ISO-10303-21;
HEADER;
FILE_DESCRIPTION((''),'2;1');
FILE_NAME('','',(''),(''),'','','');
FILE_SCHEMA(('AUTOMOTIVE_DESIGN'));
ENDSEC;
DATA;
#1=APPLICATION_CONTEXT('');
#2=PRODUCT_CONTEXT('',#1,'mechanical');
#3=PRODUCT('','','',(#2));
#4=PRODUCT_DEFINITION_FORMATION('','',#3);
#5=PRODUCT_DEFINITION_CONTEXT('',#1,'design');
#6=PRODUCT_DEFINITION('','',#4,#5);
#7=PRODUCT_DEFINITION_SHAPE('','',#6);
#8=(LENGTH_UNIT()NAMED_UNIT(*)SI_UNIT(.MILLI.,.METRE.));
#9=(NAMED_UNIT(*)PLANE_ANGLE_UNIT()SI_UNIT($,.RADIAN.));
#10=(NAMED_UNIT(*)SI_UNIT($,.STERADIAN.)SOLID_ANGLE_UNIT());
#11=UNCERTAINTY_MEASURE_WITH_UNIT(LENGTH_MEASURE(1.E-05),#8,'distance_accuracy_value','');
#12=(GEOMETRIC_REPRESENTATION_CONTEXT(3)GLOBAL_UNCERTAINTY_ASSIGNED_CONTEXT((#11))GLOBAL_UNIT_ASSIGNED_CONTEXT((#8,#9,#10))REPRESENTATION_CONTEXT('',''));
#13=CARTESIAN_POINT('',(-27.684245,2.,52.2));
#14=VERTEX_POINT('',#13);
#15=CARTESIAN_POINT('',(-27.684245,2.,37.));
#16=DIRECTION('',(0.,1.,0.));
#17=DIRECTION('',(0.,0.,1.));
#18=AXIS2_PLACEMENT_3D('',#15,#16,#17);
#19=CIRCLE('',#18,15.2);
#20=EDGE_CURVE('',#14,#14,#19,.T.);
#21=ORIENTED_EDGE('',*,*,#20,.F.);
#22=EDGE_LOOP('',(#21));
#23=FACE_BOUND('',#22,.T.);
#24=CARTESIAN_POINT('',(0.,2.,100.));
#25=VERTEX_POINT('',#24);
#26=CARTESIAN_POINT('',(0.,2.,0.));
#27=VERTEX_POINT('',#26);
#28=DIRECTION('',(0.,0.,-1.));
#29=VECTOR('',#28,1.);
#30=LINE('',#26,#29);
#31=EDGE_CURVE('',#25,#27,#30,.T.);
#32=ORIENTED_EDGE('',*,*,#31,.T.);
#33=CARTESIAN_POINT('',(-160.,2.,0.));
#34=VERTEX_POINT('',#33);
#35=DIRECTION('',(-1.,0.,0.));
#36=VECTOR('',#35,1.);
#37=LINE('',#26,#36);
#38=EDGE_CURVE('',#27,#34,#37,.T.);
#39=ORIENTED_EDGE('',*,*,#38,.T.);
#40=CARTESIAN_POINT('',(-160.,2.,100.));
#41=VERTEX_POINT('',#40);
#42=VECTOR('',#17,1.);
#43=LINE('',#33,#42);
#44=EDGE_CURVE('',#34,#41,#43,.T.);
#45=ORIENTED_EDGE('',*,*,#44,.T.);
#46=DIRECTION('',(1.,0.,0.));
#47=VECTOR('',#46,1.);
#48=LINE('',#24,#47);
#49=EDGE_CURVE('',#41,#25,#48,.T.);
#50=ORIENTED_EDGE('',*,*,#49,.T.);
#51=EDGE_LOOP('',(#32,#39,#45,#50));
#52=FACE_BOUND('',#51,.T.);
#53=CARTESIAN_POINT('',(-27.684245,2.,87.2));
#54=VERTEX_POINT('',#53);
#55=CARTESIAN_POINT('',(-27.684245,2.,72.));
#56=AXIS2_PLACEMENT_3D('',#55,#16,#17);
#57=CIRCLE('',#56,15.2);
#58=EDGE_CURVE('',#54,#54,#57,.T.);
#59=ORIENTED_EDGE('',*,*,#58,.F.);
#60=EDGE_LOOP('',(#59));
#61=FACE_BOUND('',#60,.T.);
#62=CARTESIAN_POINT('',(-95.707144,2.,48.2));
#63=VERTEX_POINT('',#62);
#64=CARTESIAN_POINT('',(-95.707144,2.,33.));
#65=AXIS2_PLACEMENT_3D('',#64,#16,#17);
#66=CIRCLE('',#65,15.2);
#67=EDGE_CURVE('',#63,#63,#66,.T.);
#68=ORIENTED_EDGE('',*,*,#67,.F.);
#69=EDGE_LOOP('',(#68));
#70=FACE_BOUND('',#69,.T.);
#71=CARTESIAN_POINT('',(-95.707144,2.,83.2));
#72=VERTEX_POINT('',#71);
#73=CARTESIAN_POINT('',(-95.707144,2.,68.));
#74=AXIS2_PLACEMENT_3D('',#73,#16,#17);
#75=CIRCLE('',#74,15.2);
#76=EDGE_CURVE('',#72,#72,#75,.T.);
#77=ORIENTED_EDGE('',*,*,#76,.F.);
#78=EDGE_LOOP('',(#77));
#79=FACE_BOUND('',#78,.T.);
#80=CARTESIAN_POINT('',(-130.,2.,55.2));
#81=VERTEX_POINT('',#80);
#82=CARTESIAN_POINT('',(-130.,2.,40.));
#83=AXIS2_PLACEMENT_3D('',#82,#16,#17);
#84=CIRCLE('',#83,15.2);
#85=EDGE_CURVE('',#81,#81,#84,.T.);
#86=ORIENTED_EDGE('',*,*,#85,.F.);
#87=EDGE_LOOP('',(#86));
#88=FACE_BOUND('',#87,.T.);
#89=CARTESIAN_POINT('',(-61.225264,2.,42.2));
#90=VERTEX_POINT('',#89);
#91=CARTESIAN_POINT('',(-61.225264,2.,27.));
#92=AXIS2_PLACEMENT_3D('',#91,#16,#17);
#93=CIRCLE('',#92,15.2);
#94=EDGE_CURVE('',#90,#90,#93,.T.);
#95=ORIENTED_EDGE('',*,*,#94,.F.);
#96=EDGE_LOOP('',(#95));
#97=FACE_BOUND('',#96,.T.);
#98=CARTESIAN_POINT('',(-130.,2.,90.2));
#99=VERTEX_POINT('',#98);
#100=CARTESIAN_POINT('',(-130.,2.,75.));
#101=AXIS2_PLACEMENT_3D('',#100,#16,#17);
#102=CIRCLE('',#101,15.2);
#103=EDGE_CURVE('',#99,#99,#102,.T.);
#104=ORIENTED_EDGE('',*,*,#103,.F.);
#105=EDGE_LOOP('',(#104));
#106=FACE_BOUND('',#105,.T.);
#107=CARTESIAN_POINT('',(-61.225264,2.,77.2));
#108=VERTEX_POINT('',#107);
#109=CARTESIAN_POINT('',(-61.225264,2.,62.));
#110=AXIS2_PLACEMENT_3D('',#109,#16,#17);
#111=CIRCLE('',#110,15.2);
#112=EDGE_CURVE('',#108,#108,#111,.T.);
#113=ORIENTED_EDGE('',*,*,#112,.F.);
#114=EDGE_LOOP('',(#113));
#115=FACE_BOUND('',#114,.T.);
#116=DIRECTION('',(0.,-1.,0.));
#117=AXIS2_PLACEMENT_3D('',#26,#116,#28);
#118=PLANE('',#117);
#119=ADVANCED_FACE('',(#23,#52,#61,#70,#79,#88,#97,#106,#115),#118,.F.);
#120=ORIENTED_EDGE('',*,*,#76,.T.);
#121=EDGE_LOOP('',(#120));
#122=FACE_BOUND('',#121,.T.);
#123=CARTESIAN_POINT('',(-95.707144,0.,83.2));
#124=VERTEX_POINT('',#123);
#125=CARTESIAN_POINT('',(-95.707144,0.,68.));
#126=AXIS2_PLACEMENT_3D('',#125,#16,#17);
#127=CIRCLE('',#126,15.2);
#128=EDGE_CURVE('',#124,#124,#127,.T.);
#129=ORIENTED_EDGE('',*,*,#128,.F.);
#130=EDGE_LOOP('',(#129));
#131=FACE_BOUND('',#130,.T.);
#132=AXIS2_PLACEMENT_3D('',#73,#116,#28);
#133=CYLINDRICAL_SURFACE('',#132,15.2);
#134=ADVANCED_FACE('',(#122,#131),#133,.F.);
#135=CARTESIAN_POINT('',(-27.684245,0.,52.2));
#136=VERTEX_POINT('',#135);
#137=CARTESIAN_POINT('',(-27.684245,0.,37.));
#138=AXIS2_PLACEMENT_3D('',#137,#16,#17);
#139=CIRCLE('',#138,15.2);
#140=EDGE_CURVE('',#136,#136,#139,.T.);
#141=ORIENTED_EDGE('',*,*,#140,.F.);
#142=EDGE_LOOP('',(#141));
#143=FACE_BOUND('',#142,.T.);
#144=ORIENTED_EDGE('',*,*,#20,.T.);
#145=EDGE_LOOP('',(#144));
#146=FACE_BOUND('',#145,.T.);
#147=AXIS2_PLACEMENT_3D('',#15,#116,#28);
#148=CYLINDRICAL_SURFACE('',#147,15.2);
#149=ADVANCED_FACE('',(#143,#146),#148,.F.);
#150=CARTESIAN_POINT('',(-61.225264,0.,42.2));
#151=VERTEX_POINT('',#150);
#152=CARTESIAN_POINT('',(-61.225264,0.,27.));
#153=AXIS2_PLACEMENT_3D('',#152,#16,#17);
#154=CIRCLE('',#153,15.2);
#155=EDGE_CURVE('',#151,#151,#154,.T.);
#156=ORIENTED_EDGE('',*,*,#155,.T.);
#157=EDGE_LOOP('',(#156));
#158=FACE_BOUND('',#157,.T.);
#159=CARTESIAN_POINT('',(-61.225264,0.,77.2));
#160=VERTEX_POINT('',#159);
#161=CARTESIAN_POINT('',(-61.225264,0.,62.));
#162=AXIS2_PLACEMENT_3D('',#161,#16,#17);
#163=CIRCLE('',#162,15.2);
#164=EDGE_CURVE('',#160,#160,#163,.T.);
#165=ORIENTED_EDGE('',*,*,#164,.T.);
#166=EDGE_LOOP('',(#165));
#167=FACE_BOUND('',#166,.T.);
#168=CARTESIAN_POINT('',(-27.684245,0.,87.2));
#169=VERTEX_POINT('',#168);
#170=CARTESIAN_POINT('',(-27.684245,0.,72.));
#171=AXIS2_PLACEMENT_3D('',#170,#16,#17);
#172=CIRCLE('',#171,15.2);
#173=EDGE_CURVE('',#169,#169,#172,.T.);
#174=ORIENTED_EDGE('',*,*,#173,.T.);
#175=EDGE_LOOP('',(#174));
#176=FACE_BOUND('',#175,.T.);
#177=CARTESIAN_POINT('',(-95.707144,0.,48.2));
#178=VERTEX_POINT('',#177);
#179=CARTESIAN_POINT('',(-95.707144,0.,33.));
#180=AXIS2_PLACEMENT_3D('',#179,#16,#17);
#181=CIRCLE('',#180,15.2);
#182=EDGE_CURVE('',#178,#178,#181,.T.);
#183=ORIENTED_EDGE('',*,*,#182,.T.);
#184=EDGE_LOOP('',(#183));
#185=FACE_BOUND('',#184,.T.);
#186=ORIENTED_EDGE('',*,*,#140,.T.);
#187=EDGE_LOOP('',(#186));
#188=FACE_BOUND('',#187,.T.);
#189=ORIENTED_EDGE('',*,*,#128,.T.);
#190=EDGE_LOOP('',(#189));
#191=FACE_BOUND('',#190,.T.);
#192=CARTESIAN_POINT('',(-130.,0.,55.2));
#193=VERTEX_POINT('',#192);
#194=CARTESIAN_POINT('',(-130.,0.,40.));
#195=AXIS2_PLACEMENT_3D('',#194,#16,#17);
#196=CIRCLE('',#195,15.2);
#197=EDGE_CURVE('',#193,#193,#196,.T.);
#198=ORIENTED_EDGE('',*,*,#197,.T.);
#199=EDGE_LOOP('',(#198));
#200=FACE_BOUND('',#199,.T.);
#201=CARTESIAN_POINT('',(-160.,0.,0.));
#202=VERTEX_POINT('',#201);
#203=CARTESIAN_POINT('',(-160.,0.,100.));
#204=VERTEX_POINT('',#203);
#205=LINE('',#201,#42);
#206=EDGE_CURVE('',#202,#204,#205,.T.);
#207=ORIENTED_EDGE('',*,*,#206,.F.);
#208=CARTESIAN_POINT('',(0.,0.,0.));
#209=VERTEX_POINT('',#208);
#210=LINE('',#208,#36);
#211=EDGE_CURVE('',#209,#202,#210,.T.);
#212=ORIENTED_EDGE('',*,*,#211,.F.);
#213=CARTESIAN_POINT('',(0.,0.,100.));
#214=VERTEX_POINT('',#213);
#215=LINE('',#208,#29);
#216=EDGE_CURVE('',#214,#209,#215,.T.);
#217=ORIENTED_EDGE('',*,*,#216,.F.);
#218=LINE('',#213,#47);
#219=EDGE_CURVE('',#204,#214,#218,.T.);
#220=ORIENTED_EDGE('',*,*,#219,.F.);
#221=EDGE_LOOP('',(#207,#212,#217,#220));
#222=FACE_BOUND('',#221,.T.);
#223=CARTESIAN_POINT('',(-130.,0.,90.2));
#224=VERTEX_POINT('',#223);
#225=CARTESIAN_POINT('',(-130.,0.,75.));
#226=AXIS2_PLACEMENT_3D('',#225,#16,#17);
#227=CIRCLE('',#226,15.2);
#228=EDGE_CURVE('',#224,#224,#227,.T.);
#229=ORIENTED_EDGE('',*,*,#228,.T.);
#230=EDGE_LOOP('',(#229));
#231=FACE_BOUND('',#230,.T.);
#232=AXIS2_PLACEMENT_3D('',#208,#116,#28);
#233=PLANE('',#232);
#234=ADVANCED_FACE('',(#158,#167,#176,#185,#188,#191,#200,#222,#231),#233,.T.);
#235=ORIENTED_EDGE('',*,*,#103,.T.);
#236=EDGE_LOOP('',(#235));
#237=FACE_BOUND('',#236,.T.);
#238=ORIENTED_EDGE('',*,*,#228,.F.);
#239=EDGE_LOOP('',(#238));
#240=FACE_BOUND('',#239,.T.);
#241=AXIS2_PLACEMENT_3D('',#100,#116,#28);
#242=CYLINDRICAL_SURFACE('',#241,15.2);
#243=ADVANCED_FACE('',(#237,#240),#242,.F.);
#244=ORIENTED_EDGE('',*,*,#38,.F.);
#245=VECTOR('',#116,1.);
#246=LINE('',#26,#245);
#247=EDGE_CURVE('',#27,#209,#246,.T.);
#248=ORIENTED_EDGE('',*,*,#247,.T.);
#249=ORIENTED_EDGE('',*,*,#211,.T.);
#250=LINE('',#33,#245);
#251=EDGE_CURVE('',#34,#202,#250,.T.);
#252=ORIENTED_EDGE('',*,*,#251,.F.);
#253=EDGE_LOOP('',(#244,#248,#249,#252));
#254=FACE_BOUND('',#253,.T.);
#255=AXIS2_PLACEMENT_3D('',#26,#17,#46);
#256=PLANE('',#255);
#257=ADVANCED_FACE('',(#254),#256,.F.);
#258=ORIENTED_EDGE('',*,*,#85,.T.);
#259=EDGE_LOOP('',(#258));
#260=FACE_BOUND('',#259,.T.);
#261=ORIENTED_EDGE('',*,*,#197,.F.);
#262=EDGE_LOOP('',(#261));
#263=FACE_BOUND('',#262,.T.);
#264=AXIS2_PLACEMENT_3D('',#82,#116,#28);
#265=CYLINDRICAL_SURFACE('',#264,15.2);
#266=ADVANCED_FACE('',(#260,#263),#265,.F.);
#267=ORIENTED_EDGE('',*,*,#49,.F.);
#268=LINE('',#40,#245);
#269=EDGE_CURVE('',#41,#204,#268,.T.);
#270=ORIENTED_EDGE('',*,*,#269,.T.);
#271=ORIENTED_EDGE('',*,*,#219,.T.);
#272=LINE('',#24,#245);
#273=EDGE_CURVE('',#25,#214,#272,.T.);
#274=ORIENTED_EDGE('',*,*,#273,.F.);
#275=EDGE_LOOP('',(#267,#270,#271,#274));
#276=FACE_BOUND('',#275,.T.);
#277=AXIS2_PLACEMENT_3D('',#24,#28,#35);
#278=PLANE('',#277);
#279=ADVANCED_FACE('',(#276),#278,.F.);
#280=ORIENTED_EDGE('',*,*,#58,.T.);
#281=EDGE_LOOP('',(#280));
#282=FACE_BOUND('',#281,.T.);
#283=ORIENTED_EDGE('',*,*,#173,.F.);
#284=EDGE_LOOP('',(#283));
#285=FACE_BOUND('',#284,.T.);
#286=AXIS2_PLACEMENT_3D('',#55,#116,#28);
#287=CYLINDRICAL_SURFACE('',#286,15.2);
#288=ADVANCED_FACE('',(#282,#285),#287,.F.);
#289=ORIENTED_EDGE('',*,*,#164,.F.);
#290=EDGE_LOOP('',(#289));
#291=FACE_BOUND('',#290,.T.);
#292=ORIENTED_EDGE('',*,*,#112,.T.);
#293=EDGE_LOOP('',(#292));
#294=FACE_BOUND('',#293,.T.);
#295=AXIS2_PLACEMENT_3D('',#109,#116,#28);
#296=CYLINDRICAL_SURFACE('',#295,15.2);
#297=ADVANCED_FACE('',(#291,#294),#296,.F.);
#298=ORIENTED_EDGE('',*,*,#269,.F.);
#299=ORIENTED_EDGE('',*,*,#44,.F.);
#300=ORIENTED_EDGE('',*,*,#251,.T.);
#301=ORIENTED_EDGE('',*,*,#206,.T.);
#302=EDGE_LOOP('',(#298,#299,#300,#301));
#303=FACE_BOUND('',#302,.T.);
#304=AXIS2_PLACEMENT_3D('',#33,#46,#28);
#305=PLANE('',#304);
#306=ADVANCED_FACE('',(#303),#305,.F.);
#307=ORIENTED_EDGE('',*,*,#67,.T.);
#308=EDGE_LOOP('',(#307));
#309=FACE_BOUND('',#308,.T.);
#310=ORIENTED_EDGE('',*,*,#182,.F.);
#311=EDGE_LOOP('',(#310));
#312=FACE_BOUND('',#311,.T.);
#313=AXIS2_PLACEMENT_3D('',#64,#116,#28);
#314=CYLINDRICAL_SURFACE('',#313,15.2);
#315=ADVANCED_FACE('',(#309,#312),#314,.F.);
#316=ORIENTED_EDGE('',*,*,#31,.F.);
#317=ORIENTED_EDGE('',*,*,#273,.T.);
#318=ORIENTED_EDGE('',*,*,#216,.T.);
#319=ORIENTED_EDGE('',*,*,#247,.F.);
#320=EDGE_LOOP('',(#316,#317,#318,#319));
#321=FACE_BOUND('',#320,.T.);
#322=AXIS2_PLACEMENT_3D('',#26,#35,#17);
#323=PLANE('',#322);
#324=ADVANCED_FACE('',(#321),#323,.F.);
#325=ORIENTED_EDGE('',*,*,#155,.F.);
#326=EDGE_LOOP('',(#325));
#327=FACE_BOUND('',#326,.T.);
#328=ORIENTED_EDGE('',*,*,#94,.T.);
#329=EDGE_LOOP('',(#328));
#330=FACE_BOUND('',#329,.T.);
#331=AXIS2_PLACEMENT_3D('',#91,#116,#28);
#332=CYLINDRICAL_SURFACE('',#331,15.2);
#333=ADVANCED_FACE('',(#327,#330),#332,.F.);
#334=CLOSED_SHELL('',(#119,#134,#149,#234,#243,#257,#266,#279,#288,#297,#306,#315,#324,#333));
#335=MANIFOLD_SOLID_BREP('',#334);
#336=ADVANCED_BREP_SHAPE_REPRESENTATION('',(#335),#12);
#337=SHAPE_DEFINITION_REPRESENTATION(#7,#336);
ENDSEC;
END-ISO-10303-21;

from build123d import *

# Parameters (mm, degrees)
SKETCH1_W           = 160
SKETCH1_H           = 100
SKETCH1_R           = 15.2
BOSS_EXTRUDE1_DEPTH = 2


with BuildPart() as part:
    # Sketch1 → Boss-Extrude1 (new body)
    with BuildSketch(Plane(origin=(0, 0, 0), x_dir=(1, 0, 0), z_dir=(0, 1, 0))):
        with Locations((-80, -50)):
            Rectangle(SKETCH1_W, SKETCH1_H)
        with Locations(Location((-130, -40, 0), (0, 0, 270))):
            Circle(SKETCH1_R, mode=Mode.SUBTRACT)
        with Locations(Location((-95.707143601, -33, 0), (0, 0, 270))):
            Circle(SKETCH1_R, mode=Mode.SUBTRACT)
        with Locations(Location((-61.225264302, -27, 0), (0, 0, 270))):
            Circle(SKETCH1_R, mode=Mode.SUBTRACT)
        with Locations(Location((-27.684244639, -37, 0), (0, 0, 270))):
            Circle(SKETCH1_R, mode=Mode.SUBTRACT)
        with Locations(Location((-27.684244639, -72, 0), (0, 0, 270))):
            Circle(SKETCH1_R, mode=Mode.SUBTRACT)
        with Locations(Location((-61.225264302, -62, 0), (0, 0, 270))):
            Circle(SKETCH1_R, mode=Mode.SUBTRACT)
        with Locations(Location((-95.707143601, -68, 0), (0, 0, 270))):
            Circle(SKETCH1_R, mode=Mode.SUBTRACT)
        with Locations(Location((-130, -75, 0), (0, 0, 270))):
            Circle(SKETCH1_R, mode=Mode.SUBTRACT)
    extrude(amount=BOSS_EXTRUDE1_DEPTH)


solid = part.part
